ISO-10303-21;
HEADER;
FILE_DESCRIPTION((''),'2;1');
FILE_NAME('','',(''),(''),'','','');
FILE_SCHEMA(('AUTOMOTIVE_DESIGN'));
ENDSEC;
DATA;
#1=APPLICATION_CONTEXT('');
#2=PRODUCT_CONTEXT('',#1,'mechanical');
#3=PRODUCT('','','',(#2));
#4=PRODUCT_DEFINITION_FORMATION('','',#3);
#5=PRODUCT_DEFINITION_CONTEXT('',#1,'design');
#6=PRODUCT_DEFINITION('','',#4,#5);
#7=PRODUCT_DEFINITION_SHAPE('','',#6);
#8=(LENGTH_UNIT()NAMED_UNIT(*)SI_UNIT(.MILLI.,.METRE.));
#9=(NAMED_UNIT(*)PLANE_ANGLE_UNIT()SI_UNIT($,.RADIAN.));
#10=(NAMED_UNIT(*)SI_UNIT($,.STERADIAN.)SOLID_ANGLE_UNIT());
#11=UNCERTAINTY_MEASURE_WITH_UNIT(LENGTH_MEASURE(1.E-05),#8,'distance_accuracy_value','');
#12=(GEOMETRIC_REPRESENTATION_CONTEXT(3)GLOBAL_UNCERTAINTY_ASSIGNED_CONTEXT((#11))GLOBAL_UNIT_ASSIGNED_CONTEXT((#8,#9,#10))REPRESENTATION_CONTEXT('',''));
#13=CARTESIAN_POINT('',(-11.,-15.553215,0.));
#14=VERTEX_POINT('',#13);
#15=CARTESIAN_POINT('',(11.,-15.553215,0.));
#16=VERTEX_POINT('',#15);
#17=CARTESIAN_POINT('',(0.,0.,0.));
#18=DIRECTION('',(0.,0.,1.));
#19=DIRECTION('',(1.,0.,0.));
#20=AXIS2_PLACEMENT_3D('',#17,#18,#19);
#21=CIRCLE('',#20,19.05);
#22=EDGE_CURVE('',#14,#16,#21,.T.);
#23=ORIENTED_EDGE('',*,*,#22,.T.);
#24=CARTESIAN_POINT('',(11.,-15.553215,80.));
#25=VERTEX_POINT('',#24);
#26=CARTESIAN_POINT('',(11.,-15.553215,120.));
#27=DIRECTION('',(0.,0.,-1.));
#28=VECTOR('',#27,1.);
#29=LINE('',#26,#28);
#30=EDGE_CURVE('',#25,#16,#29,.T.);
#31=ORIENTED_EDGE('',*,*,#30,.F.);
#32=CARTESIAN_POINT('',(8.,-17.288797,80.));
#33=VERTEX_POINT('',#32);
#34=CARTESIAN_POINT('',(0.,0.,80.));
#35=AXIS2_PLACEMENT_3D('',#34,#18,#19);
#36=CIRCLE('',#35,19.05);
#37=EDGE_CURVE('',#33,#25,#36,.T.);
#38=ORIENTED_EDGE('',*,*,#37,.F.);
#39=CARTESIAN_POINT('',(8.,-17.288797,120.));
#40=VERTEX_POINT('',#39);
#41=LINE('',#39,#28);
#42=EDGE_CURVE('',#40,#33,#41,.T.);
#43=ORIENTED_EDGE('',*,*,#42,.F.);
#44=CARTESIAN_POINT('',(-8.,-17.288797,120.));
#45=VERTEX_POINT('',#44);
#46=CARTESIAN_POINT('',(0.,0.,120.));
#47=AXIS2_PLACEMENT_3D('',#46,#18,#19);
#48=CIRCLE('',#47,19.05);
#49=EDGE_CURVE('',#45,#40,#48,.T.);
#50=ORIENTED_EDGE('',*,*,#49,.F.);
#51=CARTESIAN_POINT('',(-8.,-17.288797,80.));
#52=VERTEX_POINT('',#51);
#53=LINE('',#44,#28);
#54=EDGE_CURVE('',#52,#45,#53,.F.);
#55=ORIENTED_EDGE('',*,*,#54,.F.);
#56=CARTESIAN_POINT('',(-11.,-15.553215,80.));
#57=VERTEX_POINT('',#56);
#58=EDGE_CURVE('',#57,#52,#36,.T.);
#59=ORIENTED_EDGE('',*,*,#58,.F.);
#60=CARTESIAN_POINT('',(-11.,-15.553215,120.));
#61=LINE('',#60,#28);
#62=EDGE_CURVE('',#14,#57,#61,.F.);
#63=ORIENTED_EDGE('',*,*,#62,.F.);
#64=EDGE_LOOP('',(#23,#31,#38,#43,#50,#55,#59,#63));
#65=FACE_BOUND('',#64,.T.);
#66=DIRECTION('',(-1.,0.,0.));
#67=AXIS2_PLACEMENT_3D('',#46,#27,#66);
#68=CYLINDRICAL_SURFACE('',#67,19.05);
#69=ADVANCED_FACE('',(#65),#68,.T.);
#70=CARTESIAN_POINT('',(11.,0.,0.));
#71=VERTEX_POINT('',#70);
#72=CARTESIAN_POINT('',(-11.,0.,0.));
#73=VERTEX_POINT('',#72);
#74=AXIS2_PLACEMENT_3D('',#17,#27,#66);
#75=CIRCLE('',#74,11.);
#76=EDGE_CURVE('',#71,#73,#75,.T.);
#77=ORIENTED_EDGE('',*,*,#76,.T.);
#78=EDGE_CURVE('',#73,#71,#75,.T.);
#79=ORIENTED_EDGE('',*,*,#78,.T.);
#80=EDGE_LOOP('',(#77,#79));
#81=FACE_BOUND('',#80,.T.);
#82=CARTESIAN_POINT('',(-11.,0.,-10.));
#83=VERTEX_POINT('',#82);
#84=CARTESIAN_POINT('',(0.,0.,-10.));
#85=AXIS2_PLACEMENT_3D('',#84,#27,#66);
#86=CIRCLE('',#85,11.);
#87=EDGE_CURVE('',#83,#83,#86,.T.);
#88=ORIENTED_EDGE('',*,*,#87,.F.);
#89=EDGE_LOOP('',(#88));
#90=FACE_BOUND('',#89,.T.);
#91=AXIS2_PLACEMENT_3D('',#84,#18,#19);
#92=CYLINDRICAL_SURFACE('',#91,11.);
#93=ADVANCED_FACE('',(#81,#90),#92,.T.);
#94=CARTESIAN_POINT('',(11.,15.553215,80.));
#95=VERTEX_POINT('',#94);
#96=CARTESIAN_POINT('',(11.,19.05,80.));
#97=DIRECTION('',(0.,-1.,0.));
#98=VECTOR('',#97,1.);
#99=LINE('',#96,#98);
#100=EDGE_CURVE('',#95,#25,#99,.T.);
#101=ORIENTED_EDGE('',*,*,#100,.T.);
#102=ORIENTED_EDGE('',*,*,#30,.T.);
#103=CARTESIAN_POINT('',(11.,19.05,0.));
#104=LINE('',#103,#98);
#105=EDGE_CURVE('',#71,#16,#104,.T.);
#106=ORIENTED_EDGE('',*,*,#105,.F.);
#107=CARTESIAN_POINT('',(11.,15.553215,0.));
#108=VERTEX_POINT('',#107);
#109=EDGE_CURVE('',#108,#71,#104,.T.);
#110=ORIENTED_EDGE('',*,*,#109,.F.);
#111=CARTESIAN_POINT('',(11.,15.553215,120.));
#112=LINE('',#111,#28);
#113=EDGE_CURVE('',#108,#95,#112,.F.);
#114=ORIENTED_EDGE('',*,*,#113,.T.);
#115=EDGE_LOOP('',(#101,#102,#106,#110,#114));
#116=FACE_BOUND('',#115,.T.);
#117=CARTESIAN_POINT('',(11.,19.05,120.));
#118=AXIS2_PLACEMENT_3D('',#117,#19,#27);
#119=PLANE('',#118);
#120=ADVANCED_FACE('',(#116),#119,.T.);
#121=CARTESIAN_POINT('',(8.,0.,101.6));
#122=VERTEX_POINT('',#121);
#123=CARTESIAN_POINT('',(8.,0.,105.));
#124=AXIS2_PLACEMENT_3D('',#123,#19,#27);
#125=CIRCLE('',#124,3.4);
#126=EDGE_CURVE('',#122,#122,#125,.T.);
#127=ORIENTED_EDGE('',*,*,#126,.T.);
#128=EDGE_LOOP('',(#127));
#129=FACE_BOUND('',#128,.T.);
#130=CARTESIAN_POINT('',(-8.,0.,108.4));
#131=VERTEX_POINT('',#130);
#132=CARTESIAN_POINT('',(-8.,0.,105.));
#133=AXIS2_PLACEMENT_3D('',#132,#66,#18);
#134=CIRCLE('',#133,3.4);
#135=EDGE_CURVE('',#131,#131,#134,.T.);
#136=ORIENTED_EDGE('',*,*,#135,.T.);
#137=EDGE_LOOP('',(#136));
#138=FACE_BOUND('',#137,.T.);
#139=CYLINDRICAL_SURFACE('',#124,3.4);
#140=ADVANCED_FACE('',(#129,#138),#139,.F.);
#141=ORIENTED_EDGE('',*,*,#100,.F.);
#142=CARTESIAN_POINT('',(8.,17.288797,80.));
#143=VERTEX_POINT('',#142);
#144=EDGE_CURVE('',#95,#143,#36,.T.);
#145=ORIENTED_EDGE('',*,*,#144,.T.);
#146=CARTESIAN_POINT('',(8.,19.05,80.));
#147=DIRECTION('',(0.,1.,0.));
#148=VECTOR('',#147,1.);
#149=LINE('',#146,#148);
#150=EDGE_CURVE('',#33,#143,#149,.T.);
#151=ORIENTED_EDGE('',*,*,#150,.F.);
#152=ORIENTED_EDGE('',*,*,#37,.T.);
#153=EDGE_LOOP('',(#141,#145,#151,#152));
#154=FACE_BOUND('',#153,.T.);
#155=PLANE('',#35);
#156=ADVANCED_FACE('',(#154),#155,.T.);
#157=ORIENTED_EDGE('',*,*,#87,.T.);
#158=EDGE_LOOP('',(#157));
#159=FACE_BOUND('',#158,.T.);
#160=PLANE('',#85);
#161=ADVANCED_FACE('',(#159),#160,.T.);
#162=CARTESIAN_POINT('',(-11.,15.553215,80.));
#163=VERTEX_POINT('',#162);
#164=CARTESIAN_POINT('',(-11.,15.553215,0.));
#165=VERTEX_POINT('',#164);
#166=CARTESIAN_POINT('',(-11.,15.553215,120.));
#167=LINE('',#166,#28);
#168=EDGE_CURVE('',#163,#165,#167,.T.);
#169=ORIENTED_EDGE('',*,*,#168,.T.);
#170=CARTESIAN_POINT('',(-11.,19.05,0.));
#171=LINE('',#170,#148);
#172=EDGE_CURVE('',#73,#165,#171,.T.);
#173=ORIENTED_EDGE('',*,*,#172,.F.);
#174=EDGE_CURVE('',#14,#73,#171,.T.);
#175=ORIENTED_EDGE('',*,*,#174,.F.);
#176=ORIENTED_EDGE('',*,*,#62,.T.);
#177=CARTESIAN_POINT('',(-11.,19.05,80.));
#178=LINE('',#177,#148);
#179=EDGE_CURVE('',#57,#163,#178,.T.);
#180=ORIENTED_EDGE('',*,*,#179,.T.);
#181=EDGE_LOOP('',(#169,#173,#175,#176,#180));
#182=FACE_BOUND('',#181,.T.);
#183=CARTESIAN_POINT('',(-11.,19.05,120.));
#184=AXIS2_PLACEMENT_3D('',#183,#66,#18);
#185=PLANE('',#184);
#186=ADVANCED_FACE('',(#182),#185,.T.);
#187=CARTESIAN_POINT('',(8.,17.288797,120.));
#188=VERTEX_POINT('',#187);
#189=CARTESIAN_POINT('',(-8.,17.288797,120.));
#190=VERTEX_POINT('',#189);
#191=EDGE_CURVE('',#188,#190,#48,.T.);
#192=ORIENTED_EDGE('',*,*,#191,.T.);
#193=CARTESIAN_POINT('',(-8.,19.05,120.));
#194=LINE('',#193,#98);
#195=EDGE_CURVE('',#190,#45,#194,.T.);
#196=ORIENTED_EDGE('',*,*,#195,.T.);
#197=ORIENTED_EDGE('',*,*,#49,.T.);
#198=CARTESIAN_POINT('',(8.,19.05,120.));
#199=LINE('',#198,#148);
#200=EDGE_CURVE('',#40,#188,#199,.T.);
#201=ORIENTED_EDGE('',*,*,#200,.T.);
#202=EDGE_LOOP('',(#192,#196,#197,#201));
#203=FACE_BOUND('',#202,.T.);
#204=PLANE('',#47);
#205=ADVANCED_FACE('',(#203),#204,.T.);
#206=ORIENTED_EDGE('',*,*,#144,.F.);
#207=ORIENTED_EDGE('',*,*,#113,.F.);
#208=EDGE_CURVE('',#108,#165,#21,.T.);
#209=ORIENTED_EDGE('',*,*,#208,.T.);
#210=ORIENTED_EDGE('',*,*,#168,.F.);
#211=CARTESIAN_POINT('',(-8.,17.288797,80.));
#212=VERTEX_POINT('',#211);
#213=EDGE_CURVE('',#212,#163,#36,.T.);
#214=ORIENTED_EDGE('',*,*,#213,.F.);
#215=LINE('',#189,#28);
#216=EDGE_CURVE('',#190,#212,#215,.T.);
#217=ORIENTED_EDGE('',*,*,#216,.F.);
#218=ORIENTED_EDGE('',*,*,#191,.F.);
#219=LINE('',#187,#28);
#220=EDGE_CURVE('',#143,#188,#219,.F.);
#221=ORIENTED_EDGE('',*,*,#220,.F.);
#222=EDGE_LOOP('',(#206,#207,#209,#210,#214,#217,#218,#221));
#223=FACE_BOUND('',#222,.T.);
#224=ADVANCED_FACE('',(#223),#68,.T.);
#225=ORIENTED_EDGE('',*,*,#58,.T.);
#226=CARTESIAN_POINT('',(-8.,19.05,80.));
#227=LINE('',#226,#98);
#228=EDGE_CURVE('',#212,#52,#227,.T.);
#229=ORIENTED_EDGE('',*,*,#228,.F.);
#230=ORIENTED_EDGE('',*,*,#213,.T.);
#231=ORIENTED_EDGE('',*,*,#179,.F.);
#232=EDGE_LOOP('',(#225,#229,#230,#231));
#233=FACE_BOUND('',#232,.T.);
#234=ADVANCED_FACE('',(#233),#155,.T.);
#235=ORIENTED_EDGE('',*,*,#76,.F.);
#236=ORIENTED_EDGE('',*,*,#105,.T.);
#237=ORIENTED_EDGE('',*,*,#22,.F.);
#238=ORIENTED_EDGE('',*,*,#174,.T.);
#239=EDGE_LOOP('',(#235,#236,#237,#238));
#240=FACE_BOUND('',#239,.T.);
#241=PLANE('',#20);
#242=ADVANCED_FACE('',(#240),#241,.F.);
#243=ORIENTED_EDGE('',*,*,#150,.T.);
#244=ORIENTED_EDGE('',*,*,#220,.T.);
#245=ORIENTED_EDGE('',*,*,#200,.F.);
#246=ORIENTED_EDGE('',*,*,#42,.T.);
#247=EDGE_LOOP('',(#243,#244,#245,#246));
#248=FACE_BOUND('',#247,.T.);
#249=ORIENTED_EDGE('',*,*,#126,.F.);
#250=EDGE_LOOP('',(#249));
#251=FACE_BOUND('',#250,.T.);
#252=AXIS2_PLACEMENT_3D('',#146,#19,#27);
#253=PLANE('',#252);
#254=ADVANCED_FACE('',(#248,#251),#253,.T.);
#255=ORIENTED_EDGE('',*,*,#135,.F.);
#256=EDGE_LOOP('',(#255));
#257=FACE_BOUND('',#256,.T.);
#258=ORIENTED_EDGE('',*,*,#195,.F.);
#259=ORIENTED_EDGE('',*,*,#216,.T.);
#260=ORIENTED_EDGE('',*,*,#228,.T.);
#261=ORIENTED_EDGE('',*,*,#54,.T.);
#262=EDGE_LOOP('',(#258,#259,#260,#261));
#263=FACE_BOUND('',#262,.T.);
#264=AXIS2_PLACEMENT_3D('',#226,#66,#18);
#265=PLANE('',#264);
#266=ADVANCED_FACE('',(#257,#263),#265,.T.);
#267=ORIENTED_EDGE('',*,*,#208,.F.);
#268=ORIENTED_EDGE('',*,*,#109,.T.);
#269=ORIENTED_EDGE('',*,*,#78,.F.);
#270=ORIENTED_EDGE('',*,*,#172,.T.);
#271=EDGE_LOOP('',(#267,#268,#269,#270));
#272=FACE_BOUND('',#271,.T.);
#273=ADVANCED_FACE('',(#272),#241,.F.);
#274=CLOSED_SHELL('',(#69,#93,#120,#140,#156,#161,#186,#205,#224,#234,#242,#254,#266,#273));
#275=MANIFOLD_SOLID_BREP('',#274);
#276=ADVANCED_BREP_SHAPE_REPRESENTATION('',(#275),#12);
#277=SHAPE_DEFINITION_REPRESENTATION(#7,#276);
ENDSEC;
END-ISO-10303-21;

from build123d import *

# Parameters (mm, degrees)
SKETCH1_R              = 19.05
BOSS_EXTRUDE1_DEPTH    = 120
SKETCH4_R              = 11
BOSS_EXTRUDE2_DEPTH    = 10
SKETCH8_OUTSIDE_W      = 68.244
SKETCH8_OUTSIDE_H      = 68.244
SKETCH8_OUTSIDE_W_2    = 22
SKETCH8_OUTSIDE_H_2    = 38.1
CUT_EXTRUDE2_DEPTH     = 123.987011509
SKETCH2_OUTSIDE_W      = 51.448
SKETCH2_OUTSIDE_H      = 67.548
SKETCH2_OUTSIDE_W_2    = 16
SKETCH2_OUTSIDE_H_2    = 38.1
CUT_EXTRUDE1_DEPTH     = 40
M8X1_25_TAPPED_HOLE1_D = 6.8


with BuildPart() as part:
    # Sketch1 → Boss-Extrude1 (new body)
    with BuildSketch(Plane.XY):
        Circle(SKETCH1_R)
    extrude(amount=BOSS_EXTRUDE1_DEPTH)

    # Sketch4 → Boss-Extrude2 (add)
    with BuildSketch(Plane(origin=(0, 0, 0), x_dir=(-1, 0, 0), z_dir=(0, 0, -1))):
        Circle(SKETCH4_R)
    extrude(amount=BOSS_EXTRUDE2_DEPTH)

    # Sketch8 outside → Cut-Extrude2 (cut, through all)
    with BuildSketch(Plane(origin=(0, 0, 0), x_dir=(-1, 0, 0), z_dir=(0, 0, -1))):
        Rectangle(SKETCH8_OUTSIDE_W, SKETCH8_OUTSIDE_H)
        Rectangle(SKETCH8_OUTSIDE_W_2, SKETCH8_OUTSIDE_H_2, mode=Mode.SUBTRACT)
    extrude(amount=-CUT_EXTRUDE2_DEPTH, mode=Mode.SUBTRACT)

    # Sketch2 outside → Cut-Extrude1 (cut)
    with BuildSketch(Plane.XY.offset(120)):
        Rectangle(SKETCH2_OUTSIDE_W, SKETCH2_OUTSIDE_H)
        Rectangle(SKETCH2_OUTSIDE_W_2, SKETCH2_OUTSIDE_H_2, mode=Mode.SUBTRACT)
    extrude(amount=-CUT_EXTRUDE1_DEPTH, mode=Mode.SUBTRACT)

    # M8x1.25 Tapped Hole1 (through all)
    with Locations(Plane(origin=(8, 0, 0), x_dir=(0, 0, -1), z_dir=(1, 0, 0))):
        with Locations((-105, 0)):
            Hole(M8X1_25_TAPPED_HOLE1_D / 2)


solid = part.part
